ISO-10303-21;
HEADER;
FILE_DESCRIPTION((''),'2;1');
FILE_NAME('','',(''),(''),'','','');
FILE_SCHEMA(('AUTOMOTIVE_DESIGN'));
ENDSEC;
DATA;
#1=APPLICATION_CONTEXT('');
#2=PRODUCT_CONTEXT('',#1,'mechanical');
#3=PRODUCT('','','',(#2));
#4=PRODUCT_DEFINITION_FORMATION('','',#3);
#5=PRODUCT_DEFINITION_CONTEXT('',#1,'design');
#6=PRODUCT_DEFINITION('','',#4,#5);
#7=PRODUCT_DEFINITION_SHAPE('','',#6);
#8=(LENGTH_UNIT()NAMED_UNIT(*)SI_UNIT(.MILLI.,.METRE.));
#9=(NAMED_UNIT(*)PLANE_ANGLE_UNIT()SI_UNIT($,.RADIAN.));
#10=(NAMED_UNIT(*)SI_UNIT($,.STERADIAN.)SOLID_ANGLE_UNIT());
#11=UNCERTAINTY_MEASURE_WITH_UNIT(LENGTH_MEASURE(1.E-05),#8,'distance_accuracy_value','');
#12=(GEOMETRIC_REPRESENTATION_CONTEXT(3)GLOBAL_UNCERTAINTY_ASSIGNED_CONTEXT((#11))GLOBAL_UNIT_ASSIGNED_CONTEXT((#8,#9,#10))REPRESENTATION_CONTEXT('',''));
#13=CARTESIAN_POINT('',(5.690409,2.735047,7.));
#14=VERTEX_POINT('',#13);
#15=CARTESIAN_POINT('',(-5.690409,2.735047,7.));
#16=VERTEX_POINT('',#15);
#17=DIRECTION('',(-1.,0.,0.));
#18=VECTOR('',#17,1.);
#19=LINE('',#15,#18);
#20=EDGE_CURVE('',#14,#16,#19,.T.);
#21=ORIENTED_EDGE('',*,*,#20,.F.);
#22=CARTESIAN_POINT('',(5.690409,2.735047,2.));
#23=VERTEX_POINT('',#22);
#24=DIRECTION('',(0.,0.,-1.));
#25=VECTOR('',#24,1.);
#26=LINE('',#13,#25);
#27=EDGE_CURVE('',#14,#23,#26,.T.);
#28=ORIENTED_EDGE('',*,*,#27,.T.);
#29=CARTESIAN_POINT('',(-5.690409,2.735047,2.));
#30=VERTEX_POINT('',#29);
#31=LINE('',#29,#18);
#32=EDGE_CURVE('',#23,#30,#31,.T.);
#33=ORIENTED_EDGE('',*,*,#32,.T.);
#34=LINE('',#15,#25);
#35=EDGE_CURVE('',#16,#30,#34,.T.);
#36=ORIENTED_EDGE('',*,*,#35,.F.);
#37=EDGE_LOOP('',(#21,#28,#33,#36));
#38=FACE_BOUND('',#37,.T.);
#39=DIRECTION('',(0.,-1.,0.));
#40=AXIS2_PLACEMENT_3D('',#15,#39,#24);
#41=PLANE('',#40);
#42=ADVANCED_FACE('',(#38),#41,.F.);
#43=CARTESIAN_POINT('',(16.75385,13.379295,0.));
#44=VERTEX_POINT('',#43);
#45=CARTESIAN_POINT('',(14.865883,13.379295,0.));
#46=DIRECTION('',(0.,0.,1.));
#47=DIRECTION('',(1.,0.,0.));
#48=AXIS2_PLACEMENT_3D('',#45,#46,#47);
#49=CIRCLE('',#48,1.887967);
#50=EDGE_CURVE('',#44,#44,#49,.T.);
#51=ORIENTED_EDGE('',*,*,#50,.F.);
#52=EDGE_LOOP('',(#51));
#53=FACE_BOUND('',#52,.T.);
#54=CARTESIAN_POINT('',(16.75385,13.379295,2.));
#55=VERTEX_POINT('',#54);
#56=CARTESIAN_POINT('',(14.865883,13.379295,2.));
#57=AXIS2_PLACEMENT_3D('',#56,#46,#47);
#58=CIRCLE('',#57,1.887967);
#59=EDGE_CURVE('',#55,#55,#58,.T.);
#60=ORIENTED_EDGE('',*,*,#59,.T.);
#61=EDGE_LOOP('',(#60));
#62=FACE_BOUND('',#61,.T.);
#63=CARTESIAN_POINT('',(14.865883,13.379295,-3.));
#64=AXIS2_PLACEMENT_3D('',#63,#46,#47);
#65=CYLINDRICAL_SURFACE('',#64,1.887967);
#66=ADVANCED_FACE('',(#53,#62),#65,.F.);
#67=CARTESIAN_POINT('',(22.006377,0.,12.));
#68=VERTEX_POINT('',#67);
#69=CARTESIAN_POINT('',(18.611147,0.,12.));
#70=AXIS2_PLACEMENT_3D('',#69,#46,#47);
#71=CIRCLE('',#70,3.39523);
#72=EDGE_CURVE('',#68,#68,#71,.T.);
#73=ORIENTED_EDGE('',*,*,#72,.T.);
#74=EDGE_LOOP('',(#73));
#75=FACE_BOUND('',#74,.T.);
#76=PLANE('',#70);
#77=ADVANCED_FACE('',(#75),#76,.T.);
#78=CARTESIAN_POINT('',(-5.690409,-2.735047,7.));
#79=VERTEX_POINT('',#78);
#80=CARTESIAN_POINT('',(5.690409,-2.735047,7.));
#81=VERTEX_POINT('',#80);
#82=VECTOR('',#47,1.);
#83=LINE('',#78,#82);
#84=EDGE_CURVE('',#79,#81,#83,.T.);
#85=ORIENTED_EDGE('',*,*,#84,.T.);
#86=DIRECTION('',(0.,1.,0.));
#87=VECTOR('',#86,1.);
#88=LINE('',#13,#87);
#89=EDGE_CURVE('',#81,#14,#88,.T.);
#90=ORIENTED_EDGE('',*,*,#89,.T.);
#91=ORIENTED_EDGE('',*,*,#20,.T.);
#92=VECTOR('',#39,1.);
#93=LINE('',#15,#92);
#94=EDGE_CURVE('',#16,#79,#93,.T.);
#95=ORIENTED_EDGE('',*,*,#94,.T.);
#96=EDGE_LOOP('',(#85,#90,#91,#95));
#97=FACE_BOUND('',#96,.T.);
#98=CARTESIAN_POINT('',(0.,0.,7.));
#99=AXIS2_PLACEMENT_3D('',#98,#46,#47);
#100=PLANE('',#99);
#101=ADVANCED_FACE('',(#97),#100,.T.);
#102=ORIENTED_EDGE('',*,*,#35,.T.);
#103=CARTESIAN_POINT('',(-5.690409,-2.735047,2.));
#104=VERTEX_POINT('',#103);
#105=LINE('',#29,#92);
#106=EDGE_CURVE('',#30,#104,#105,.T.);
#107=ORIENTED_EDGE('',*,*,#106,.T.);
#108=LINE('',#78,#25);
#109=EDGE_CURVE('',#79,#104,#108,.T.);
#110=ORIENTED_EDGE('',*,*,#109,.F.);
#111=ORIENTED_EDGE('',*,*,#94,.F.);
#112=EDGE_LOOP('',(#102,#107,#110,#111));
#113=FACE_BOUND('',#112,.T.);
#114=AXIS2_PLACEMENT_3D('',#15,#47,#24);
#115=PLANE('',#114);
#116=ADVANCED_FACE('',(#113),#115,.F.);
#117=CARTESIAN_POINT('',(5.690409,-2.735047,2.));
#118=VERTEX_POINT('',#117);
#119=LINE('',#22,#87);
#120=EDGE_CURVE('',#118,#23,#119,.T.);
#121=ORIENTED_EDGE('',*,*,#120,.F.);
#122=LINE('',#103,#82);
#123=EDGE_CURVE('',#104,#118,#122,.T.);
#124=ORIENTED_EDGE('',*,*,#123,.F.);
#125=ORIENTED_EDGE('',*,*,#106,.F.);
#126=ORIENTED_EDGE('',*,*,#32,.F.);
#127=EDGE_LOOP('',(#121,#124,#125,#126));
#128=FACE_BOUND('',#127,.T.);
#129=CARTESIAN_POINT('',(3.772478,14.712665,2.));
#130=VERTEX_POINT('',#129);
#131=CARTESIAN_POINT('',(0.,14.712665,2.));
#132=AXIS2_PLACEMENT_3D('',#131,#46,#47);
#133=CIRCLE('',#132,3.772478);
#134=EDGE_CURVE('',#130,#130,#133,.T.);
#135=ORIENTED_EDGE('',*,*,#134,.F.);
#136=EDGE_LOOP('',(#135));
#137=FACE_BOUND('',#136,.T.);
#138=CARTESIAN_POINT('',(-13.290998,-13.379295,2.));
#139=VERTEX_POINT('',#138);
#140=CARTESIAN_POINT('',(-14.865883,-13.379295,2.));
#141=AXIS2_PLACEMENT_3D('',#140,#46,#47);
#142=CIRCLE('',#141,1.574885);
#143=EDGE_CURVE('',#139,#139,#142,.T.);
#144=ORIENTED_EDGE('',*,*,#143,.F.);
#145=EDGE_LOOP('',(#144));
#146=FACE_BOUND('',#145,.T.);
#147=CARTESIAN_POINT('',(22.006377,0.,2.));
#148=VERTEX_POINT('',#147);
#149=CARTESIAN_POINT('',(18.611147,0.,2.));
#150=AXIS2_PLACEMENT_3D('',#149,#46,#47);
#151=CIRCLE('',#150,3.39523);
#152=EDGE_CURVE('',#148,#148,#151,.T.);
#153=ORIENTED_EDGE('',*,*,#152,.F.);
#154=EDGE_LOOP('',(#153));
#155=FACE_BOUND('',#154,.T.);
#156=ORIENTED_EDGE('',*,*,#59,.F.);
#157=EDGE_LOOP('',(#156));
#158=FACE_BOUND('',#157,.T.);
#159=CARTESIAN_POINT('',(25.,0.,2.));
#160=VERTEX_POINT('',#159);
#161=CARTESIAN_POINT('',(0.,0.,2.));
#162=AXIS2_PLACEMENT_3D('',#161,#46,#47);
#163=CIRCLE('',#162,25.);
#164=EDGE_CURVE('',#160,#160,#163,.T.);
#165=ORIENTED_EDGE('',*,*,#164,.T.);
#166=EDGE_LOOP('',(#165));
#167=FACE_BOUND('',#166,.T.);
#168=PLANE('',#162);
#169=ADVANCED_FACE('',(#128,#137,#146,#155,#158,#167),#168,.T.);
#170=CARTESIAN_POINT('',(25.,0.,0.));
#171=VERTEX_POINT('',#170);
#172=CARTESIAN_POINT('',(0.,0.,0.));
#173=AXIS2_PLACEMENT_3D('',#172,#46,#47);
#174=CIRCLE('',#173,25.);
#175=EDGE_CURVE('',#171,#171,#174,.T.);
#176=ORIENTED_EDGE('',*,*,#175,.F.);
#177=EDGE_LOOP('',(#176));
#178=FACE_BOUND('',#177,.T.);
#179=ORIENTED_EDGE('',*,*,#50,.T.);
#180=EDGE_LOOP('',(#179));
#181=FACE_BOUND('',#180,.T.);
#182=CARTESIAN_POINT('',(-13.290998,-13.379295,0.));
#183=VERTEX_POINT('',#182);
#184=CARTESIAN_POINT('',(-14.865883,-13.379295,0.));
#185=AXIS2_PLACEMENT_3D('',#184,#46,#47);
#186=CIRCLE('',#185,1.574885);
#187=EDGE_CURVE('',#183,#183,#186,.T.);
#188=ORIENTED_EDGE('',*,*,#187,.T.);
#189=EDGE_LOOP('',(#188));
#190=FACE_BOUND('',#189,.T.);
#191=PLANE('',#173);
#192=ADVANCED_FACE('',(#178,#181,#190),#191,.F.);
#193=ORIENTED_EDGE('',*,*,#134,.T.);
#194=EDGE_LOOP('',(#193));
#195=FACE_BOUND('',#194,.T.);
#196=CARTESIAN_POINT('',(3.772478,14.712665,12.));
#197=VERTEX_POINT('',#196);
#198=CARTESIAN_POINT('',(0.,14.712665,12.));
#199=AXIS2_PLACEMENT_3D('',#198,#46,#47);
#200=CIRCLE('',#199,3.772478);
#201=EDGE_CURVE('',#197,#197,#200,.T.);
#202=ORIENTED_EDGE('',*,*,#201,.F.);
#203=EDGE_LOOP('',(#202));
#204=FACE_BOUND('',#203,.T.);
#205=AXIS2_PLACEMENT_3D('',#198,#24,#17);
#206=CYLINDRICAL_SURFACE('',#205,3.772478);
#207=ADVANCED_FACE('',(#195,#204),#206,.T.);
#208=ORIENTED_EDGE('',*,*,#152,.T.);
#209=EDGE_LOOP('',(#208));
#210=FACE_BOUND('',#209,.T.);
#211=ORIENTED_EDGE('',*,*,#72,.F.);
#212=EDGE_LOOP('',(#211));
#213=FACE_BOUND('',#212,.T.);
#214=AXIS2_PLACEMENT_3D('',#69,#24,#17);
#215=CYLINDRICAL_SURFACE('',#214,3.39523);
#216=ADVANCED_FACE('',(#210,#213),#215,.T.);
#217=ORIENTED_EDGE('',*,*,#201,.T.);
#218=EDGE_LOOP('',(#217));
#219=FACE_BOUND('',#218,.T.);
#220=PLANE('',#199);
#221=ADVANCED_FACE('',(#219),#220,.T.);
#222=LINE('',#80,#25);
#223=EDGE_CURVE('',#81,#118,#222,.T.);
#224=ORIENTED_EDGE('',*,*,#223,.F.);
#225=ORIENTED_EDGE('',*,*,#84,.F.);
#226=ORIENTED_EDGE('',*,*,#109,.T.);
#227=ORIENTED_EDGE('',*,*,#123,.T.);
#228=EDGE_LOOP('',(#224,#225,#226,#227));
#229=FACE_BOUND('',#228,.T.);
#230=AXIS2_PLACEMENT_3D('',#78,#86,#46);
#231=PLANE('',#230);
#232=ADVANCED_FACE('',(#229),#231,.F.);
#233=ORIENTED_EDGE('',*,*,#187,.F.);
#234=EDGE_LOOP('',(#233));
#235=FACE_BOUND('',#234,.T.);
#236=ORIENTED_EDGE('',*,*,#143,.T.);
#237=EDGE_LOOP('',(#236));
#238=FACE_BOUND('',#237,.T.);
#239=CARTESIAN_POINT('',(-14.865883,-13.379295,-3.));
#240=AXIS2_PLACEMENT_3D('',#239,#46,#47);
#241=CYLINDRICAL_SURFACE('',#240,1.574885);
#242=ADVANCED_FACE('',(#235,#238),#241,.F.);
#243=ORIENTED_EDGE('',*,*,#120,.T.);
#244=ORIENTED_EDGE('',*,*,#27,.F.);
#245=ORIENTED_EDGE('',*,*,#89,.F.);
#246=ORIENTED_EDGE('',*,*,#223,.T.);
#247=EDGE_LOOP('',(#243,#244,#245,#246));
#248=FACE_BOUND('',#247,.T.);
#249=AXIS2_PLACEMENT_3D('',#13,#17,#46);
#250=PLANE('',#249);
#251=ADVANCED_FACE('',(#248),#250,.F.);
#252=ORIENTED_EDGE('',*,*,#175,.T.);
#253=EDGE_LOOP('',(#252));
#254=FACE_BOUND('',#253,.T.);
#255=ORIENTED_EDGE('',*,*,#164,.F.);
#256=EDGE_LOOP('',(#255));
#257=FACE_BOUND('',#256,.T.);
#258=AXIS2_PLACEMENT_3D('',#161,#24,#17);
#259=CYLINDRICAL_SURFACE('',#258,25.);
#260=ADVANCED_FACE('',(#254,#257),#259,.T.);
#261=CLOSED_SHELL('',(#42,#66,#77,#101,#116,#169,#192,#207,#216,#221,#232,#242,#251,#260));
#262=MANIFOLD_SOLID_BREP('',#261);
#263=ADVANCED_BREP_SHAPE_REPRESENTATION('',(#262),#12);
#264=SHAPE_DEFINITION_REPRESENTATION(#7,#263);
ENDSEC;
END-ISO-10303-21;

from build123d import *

# Parameters (mm, degrees)
SKETCH1_R           = 25
BOSS_EXTRUDE1_DEPTH = 2
SKETCH2_R           = 3.772478216
SKETCH2_R_2         = 3.395230394
BOSS_EXTRUDE2_DEPTH = 10
SKETCH3_W           = 11.380817266
SKETCH3_H           = 5.470093412
BOSS_EXTRUDE3_DEPTH = 5
SKETCH4_R           = 1.574884911
SKETCH4_R_2         = 1.887966751
CUT_EXTRUDE1_DEPTH  = 5


with BuildPart() as part:
    # Sketch1 → Boss-Extrude1 (new body)
    with BuildSketch(Plane.XY):
        Circle(SKETCH1_R)
    extrude(amount=BOSS_EXTRUDE1_DEPTH)

    # Sketch2 → Boss-Extrude2 (add)
    with BuildSketch(Plane.XY.offset(2)):
        with Locations((0, 14.712665041)):
            Circle(SKETCH2_R)
        with Locations((18.611146521, 0)):
            Circle(SKETCH2_R_2)
    extrude(amount=BOSS_EXTRUDE2_DEPTH)

    # Sketch3 → Boss-Extrude3 (add)
    with BuildSketch(Plane.XY.offset(2)):
        Rectangle(SKETCH3_W, SKETCH3_H)
    extrude(amount=BOSS_EXTRUDE3_DEPTH)

    # Sketch4 → Cut-Extrude1 (cut)
    with BuildSketch(Plane.XY.offset(2)):
        with Locations((-14.865882925, -13.379294632)):
            Circle(SKETCH4_R)
        with Locations((14.865882925, 13.379294632)):
            Circle(SKETCH4_R_2)
    extrude(amount=-CUT_EXTRUDE1_DEPTH, mode=Mode.SUBTRACT)


solid = part.part
